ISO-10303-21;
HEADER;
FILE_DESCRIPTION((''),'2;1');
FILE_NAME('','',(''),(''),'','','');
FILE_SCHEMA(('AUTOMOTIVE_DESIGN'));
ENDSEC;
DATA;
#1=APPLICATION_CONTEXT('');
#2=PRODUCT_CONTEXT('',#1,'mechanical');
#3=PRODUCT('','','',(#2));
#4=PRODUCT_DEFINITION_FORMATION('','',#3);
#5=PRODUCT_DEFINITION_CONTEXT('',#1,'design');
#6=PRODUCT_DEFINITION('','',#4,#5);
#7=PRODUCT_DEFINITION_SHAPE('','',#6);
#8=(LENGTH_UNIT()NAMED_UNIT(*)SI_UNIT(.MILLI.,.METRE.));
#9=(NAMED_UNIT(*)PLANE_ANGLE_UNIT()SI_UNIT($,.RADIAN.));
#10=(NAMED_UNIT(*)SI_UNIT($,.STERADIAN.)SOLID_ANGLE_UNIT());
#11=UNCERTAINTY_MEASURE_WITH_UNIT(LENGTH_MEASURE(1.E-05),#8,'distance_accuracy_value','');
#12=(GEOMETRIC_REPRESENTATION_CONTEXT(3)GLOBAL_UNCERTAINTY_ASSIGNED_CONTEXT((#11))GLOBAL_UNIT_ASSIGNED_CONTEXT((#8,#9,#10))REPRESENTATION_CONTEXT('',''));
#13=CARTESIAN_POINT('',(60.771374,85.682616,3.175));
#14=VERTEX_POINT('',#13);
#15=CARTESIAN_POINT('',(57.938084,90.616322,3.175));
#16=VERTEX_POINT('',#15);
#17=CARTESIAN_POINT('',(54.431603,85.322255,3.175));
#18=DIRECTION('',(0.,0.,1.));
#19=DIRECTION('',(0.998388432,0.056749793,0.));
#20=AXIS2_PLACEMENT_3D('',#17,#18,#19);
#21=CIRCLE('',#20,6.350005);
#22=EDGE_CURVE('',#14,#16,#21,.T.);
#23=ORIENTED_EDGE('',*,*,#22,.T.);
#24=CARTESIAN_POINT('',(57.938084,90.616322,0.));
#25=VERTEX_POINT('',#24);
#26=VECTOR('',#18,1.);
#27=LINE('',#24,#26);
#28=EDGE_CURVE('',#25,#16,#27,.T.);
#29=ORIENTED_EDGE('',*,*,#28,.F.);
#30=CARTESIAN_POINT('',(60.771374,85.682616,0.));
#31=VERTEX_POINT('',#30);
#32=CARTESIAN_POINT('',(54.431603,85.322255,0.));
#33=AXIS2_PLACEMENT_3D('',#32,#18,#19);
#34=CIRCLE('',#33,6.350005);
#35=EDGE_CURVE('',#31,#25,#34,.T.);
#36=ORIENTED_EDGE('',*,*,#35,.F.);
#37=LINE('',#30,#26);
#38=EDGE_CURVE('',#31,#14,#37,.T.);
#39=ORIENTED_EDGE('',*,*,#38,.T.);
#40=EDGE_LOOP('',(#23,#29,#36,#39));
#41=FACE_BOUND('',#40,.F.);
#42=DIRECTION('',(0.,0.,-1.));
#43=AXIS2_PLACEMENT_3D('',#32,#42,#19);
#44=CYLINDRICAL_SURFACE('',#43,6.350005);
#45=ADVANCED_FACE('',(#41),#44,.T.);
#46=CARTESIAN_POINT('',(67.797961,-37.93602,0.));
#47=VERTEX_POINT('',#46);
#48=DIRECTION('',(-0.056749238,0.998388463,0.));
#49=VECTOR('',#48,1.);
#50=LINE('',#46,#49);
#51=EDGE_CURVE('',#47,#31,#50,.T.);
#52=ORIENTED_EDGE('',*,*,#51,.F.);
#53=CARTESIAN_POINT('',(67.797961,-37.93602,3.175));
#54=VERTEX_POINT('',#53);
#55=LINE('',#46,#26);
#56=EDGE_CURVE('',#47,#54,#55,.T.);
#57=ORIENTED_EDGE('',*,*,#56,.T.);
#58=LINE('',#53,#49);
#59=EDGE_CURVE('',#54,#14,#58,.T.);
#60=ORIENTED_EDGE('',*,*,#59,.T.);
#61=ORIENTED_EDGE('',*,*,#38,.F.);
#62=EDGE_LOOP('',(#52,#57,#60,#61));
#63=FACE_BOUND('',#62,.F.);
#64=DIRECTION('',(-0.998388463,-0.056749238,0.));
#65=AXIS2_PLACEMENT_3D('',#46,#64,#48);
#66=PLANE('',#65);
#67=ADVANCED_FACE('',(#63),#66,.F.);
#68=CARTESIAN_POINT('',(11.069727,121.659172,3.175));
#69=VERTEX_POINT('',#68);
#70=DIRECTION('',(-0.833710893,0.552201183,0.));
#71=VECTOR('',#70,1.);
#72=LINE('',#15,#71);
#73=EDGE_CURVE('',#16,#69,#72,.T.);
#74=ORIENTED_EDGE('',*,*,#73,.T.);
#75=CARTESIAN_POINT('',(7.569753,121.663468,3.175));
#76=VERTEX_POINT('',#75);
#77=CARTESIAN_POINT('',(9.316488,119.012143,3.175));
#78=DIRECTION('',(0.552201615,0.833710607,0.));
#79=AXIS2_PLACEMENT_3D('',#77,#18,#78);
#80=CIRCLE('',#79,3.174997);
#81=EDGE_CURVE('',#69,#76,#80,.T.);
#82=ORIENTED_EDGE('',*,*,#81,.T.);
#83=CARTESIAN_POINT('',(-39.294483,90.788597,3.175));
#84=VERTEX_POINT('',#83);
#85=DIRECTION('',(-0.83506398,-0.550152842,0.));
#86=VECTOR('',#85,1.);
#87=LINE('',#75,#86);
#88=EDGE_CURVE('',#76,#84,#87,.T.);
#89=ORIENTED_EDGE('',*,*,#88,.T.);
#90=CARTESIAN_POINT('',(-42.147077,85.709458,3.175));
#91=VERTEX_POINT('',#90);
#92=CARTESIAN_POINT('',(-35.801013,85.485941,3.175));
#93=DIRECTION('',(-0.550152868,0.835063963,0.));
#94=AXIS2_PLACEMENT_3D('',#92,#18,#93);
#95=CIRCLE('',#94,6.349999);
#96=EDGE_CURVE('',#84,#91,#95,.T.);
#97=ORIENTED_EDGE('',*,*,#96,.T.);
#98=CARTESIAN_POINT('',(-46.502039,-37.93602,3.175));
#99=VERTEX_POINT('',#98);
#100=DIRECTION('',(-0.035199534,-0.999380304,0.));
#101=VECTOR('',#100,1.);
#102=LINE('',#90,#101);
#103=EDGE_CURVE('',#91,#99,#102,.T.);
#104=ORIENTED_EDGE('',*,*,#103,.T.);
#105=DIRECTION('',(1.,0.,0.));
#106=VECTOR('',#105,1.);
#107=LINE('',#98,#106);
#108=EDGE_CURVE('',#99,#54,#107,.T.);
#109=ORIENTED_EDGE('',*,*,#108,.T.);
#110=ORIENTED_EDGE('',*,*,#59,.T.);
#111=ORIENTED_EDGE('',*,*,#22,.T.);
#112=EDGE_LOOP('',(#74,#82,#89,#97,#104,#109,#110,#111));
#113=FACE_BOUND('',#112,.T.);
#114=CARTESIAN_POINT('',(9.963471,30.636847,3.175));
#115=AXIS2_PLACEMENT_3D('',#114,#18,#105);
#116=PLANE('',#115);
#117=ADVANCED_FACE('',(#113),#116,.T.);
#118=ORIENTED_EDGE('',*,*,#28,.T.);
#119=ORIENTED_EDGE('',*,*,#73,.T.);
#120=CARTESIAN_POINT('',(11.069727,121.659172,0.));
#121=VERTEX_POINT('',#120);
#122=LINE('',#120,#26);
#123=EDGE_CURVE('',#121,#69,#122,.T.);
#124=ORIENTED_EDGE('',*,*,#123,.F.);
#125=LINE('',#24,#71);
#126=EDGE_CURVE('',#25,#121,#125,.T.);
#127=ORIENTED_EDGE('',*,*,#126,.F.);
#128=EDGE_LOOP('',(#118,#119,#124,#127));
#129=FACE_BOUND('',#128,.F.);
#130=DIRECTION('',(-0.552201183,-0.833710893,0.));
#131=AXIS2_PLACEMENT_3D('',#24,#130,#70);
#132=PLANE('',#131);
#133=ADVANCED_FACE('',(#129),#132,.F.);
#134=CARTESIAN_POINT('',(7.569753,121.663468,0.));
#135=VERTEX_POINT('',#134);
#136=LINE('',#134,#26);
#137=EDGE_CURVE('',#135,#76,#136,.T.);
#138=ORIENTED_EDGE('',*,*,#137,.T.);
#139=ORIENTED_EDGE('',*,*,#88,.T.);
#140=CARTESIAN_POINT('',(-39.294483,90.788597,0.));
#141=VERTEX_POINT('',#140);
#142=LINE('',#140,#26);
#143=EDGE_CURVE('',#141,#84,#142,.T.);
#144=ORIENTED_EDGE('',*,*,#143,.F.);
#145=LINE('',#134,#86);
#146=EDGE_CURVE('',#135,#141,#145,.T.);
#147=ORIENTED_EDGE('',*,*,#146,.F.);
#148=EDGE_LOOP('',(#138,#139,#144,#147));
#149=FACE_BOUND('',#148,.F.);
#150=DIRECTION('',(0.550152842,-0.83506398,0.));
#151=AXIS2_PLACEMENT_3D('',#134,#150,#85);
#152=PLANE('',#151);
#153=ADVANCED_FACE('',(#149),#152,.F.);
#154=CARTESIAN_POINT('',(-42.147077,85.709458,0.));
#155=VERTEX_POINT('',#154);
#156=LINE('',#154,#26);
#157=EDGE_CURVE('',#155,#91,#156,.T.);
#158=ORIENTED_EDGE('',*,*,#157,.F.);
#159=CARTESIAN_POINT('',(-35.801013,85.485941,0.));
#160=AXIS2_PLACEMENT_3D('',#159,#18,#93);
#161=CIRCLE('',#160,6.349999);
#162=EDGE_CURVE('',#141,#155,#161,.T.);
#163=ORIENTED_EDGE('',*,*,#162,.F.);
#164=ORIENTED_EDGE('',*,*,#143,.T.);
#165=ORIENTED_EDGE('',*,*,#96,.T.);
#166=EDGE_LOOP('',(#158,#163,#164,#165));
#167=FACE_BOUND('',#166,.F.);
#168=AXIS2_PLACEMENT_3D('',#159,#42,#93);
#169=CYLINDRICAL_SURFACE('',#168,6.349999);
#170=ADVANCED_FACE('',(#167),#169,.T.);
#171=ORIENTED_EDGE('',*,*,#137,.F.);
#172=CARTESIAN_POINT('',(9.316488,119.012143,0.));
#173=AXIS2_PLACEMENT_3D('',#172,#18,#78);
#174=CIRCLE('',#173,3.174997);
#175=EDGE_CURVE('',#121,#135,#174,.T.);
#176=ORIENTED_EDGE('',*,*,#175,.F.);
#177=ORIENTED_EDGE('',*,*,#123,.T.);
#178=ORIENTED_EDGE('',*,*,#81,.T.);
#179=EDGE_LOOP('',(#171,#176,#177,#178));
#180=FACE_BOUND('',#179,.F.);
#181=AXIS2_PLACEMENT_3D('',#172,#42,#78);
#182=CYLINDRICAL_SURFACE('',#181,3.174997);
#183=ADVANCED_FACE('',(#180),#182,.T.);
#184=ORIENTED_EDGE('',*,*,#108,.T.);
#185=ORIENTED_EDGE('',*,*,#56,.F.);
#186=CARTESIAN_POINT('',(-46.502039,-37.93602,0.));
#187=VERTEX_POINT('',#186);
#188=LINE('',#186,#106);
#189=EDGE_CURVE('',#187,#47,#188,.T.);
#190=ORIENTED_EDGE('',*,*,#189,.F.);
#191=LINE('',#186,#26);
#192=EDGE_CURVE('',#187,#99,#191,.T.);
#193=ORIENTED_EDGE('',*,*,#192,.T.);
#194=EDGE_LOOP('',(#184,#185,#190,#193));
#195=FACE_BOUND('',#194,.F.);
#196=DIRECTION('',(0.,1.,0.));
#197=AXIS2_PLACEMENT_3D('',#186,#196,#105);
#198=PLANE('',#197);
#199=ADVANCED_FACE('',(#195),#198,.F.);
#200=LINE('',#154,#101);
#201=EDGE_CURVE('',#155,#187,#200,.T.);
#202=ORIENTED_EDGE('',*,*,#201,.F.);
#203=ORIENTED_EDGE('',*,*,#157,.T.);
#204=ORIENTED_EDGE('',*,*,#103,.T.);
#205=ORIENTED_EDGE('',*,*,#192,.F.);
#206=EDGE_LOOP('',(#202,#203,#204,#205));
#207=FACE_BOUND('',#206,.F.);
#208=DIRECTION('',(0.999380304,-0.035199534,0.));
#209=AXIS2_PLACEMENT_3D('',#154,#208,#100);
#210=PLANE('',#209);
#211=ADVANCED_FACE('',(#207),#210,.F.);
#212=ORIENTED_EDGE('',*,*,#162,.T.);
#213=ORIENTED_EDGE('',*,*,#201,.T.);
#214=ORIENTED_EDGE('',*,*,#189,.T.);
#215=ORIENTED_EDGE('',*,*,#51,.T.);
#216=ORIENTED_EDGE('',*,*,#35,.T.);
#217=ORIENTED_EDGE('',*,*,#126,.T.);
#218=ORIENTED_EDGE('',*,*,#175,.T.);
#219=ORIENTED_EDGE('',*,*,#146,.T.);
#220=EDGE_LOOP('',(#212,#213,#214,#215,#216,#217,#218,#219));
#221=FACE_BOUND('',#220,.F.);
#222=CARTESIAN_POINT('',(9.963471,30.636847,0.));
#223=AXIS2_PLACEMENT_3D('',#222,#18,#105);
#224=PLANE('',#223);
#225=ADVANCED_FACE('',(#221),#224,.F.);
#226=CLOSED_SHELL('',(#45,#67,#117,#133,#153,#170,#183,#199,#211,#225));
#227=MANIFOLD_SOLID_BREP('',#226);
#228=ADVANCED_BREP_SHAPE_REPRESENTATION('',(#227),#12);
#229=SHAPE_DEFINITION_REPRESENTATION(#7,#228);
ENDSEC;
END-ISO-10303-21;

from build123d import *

# Parameters (mm, degrees)
F1_DEPTH = 3.175


with BuildPart() as f1:
    # F0 (on Top) → F1 (new body)
    with BuildSketch(Plane.XY):
        with BuildLine():
            ThreePointArc((11.069727, 121.659172), (9.320386, 122.187138), (7.569753, 121.663468))
            Line((7.569753, 121.663468), (-39.294483, 90.788597))
            ThreePointArc((-39.294483, 90.788597), (-41.337575, 88.595438), (-42.147077, 85.709458))
            Line((-42.147077, 85.709458), (-46.502039, -37.93602))
            Line((-46.502039, -37.93602), (10.647961, -37.93602))
            Line((10.647961, -37.93602), (67.797961, -37.93602))
            Line((67.797961, -37.93602), (60.771374, 85.682616))
            ThreePointArc((60.771374, 85.682616), (59.938193, 88.484536), (57.938084, 90.616322))
            Line((57.938084, 90.616322), (11.069727, 121.659172))
        make_face()
    extrude(amount=F1_DEPTH)


solid = f1.part
